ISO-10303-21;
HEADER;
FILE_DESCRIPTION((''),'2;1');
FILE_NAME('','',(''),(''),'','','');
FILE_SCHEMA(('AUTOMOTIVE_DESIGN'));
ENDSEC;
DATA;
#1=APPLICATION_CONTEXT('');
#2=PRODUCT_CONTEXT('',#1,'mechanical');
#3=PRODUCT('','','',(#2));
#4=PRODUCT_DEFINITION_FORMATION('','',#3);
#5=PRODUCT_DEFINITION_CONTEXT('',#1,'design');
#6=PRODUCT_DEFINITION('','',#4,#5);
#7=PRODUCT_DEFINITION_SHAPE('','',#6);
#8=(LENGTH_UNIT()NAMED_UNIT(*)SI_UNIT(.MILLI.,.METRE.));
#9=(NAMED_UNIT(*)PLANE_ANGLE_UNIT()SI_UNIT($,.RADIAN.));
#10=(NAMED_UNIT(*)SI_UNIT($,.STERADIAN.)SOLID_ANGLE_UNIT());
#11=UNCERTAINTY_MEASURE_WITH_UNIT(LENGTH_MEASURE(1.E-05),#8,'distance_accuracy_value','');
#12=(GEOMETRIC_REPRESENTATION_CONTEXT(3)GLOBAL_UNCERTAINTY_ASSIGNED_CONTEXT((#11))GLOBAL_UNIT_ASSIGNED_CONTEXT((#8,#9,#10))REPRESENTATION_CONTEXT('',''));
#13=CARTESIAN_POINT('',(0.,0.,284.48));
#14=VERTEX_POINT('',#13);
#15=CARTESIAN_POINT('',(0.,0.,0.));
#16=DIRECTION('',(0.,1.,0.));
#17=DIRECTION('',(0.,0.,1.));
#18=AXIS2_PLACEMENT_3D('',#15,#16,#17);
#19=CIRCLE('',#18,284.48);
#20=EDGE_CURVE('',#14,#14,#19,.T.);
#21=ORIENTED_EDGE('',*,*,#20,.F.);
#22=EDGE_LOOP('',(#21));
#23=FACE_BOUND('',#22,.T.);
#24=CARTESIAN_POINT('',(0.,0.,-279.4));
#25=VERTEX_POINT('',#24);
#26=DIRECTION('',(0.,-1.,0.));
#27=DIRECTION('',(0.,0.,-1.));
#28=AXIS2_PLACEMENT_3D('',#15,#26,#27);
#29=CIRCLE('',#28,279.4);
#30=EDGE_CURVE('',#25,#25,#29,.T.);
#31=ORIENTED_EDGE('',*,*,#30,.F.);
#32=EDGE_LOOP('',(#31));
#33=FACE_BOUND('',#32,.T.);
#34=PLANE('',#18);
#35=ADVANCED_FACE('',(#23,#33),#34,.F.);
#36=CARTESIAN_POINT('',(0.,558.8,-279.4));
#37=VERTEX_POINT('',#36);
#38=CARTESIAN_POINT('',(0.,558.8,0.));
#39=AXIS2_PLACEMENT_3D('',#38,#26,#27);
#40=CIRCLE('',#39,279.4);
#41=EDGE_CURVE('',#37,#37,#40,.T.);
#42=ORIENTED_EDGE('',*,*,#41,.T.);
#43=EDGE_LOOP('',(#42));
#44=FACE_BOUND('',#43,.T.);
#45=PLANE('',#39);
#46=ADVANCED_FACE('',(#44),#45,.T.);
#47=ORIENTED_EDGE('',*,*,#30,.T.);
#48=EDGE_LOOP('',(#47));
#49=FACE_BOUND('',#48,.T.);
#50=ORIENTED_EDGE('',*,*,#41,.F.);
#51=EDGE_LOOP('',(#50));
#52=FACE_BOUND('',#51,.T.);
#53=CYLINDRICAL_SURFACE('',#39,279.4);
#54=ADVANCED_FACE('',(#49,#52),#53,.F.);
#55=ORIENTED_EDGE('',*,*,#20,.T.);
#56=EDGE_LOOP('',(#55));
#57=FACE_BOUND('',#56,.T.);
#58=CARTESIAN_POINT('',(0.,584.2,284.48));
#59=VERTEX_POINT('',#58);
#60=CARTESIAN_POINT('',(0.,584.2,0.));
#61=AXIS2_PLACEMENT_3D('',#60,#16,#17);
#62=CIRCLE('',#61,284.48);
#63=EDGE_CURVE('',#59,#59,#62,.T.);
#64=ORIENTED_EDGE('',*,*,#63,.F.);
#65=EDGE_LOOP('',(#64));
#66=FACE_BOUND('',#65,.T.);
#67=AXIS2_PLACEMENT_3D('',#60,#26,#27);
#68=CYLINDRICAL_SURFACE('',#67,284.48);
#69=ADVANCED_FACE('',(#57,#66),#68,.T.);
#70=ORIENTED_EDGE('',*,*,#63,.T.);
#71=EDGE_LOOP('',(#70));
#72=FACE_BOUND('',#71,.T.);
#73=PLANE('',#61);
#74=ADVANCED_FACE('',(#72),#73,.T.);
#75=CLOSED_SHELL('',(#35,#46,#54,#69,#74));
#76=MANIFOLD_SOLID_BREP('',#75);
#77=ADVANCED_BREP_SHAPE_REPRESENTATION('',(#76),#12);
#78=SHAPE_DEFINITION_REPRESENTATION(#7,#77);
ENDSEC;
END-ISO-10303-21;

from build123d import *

# Parameters (mm, degrees)
SKETCH1_R           = 284.48
BOSS_EXTRUDE1_DEPTH = 584.2
SKETCH2_R           = 279.4
CUT_EXTRUDE1_DEPTH  = 558.8


with BuildPart() as part:
    # Sketch1 → Boss-Extrude1 (new body)
    with BuildSketch(Plane(origin=(0, 0, 0), x_dir=(1, 0, 0), z_dir=(0, 1, 0))):
        with Locations(Location((0, 0, 0), (0, 0, 270))):
            Circle(SKETCH1_R)
    extrude(amount=BOSS_EXTRUDE1_DEPTH)

    # Sketch2 → Cut-Extrude1 (cut)
    with BuildSketch(Plane(origin=(0, 0, 0), x_dir=(-1, 0, 0), z_dir=(0, -1, 0))):
        with Locations(Location((0, 0, 0), (0, 0, 90))):
            Circle(SKETCH2_R)
    extrude(amount=-CUT_EXTRUDE1_DEPTH, mode=Mode.SUBTRACT)


solid = part.part
